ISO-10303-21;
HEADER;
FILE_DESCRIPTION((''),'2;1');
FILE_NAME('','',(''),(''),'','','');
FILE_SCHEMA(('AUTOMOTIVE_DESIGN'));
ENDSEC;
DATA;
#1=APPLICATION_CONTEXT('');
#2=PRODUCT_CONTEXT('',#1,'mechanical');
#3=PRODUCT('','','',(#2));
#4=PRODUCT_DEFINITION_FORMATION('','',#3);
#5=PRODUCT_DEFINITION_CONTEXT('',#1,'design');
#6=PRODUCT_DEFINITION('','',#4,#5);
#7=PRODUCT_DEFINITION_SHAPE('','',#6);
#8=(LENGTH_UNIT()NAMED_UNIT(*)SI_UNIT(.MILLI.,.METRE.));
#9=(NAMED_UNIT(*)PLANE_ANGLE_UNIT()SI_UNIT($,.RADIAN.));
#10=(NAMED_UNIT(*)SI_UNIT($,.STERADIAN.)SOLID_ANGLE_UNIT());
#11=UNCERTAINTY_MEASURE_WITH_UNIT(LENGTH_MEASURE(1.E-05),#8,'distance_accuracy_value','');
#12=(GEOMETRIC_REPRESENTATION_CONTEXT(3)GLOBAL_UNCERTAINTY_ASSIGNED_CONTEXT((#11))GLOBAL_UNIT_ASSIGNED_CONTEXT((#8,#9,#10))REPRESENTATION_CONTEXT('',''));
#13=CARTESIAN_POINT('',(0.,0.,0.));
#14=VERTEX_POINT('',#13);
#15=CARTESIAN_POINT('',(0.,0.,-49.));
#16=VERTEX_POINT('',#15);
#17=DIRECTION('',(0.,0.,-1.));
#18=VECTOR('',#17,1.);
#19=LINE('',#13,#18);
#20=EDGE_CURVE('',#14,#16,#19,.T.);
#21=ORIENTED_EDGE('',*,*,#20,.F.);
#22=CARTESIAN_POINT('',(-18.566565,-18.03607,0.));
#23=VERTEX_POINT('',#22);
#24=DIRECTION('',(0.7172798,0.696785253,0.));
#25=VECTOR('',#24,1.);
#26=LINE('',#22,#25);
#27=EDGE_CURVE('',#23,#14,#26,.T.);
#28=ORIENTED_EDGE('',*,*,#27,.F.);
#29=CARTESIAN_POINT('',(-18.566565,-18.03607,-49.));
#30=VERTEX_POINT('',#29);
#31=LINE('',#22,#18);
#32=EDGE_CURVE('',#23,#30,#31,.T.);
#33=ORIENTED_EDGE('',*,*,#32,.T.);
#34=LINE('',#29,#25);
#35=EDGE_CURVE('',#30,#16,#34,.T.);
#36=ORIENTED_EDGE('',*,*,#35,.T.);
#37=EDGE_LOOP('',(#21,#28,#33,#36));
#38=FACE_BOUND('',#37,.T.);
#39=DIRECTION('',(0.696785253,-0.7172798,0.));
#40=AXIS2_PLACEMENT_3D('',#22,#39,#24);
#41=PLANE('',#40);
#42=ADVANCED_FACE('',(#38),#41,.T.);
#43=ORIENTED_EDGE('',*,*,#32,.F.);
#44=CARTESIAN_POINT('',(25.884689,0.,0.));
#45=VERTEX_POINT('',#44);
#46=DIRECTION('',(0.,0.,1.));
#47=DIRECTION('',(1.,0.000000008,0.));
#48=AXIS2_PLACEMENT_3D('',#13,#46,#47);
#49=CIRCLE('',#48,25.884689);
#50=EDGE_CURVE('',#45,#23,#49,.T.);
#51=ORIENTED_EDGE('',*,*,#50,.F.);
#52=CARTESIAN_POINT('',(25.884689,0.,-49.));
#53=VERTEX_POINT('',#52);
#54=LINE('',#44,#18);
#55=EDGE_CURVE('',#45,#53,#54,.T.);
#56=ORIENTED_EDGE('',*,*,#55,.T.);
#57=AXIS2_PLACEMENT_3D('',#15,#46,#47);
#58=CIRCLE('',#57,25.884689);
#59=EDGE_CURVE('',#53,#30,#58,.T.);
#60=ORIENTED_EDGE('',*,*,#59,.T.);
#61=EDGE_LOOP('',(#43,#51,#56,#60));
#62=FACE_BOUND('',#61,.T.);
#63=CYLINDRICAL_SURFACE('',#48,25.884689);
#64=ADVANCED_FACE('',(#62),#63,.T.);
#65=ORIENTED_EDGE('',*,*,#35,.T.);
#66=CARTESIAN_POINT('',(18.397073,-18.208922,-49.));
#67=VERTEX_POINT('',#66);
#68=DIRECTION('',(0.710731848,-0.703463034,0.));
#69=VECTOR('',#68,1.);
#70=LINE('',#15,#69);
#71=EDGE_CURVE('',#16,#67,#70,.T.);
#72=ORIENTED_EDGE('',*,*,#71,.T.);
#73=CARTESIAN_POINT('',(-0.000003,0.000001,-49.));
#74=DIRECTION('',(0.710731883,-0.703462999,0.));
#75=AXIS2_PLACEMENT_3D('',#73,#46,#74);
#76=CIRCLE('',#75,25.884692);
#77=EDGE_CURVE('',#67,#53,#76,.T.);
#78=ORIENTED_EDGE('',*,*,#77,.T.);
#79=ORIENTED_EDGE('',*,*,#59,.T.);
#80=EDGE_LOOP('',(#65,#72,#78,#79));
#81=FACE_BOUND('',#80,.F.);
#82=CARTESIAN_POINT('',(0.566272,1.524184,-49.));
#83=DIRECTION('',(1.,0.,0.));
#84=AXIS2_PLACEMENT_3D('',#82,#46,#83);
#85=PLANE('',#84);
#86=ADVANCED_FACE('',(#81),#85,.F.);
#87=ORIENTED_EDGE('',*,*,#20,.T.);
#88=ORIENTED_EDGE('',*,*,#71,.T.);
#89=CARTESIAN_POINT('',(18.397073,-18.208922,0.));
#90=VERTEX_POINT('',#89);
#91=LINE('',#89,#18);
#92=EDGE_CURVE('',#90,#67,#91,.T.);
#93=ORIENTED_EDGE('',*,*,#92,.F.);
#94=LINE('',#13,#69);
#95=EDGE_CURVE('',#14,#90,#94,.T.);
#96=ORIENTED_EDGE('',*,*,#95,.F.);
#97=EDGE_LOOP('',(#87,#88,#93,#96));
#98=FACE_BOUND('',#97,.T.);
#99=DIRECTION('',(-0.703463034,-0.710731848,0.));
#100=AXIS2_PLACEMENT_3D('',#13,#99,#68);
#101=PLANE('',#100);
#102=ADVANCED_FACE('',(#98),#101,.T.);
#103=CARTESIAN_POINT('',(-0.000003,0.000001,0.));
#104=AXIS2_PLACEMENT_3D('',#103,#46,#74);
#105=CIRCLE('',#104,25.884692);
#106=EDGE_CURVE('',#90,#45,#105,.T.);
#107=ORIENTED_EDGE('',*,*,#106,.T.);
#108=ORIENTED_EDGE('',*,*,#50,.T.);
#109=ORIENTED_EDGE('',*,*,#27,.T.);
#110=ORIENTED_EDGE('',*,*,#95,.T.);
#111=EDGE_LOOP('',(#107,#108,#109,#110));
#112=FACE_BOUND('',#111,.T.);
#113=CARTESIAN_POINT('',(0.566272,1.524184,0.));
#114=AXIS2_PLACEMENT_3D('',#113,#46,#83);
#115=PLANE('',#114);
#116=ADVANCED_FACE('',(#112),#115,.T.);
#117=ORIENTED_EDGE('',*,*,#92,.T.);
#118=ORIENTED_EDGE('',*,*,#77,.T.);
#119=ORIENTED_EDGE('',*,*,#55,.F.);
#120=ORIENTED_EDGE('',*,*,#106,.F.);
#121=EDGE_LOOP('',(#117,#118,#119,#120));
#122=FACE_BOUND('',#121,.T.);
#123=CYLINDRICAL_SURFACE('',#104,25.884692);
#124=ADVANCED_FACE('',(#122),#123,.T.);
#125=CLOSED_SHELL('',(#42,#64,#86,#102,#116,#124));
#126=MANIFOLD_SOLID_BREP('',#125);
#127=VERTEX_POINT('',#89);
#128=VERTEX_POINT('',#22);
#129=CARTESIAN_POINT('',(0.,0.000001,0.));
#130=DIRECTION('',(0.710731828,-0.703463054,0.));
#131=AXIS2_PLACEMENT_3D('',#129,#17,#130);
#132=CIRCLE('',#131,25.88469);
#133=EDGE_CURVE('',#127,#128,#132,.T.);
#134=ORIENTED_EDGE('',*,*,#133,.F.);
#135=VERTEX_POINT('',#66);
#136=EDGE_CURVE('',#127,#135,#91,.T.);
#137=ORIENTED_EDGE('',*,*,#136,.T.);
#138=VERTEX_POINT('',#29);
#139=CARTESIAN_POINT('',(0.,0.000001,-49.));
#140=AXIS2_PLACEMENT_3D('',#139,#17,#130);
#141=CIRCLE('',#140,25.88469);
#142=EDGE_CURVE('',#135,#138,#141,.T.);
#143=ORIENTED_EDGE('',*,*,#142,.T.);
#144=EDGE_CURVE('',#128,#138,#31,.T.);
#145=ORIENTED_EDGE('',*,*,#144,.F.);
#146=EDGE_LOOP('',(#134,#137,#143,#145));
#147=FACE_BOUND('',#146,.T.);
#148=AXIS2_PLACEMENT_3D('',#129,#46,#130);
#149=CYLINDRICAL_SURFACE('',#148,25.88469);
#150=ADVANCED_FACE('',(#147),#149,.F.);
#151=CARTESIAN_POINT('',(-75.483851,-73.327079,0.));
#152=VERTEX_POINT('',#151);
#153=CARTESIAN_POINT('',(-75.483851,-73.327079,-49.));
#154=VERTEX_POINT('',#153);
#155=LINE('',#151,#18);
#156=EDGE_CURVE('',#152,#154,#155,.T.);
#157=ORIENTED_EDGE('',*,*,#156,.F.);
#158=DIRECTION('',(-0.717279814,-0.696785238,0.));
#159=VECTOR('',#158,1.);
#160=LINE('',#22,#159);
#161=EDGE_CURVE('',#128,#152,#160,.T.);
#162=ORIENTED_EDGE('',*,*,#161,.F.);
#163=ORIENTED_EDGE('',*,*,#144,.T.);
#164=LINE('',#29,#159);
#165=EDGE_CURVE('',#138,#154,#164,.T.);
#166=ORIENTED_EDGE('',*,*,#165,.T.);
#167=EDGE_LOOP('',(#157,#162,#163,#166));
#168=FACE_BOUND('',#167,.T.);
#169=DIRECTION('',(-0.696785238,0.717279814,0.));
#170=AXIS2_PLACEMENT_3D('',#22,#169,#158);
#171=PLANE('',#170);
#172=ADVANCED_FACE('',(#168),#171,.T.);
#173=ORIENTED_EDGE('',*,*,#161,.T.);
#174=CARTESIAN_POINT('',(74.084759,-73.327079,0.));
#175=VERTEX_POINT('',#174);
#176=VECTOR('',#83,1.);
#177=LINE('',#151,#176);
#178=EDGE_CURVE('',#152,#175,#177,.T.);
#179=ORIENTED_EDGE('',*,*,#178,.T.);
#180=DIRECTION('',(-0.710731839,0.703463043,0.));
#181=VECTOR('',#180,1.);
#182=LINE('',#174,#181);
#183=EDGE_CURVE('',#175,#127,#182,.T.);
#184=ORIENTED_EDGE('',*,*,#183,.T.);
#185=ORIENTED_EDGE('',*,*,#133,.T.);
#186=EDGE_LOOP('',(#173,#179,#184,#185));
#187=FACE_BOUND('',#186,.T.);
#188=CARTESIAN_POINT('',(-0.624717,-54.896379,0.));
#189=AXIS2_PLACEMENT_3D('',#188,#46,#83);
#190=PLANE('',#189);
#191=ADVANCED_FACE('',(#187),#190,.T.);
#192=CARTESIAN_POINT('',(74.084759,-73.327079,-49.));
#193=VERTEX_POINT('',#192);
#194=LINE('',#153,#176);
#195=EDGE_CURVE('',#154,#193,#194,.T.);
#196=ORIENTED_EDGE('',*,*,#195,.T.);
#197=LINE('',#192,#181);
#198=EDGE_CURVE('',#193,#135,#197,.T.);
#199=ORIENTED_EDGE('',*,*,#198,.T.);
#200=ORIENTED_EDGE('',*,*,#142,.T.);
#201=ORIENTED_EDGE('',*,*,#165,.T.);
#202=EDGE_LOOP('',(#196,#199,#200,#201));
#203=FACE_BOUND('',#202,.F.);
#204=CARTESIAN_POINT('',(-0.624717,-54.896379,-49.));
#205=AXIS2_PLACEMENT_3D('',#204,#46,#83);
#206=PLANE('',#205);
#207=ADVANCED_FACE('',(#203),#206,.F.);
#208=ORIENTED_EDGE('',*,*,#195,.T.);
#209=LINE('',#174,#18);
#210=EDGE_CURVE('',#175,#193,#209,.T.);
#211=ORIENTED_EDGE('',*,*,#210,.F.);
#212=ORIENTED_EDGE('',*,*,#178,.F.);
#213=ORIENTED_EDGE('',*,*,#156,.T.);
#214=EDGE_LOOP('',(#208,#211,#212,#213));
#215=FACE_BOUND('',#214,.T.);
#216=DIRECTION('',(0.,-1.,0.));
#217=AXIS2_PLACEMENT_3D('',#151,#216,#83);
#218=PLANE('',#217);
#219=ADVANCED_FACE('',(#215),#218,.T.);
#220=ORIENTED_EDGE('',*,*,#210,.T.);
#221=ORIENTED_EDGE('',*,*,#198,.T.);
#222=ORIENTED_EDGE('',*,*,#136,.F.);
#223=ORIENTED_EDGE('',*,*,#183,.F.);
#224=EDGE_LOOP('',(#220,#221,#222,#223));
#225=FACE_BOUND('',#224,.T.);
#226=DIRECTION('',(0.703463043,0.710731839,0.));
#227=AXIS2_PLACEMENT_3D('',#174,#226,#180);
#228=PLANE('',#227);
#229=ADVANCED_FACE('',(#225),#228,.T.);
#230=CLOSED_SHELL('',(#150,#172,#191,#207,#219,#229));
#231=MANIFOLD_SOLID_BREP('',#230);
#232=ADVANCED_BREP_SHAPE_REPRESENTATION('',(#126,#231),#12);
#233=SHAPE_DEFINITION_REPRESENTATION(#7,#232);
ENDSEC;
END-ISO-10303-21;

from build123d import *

# Parameters (mm, degrees)
F1_DEPTH = 49


with BuildPart() as f1:
    # F0 (on Top) → F1 (new body)
    with BuildSketch(Plane.XY):
        with BuildLine():
            ThreePointArc((18.397073, -18.208922), (-0.121043, -25.884406), (-18.566565, -18.03607))
            Line((-18.566565, -18.03607), (-75.483851, -73.327079))
            Line((-75.483851, -73.327079), (74.084759, -73.327079))
            Line((74.084759, -73.327079), (18.397073, -18.208922))
        make_face()
        with BuildLine():
            Line((-18.566565, -18.03607), (0, 0))
            Line((0, 0), (18.397073, -18.208922))
            ThreePointArc((18.397073, -18.208922), (23.939712, -9.844151), (25.884689, 0))
            ThreePointArc((25.884689, 0), (-9.732096, 23.985484), (-18.566565, -18.03607))
        make_face()
    extrude(amount=-F1_DEPTH)


solid = f1.part
